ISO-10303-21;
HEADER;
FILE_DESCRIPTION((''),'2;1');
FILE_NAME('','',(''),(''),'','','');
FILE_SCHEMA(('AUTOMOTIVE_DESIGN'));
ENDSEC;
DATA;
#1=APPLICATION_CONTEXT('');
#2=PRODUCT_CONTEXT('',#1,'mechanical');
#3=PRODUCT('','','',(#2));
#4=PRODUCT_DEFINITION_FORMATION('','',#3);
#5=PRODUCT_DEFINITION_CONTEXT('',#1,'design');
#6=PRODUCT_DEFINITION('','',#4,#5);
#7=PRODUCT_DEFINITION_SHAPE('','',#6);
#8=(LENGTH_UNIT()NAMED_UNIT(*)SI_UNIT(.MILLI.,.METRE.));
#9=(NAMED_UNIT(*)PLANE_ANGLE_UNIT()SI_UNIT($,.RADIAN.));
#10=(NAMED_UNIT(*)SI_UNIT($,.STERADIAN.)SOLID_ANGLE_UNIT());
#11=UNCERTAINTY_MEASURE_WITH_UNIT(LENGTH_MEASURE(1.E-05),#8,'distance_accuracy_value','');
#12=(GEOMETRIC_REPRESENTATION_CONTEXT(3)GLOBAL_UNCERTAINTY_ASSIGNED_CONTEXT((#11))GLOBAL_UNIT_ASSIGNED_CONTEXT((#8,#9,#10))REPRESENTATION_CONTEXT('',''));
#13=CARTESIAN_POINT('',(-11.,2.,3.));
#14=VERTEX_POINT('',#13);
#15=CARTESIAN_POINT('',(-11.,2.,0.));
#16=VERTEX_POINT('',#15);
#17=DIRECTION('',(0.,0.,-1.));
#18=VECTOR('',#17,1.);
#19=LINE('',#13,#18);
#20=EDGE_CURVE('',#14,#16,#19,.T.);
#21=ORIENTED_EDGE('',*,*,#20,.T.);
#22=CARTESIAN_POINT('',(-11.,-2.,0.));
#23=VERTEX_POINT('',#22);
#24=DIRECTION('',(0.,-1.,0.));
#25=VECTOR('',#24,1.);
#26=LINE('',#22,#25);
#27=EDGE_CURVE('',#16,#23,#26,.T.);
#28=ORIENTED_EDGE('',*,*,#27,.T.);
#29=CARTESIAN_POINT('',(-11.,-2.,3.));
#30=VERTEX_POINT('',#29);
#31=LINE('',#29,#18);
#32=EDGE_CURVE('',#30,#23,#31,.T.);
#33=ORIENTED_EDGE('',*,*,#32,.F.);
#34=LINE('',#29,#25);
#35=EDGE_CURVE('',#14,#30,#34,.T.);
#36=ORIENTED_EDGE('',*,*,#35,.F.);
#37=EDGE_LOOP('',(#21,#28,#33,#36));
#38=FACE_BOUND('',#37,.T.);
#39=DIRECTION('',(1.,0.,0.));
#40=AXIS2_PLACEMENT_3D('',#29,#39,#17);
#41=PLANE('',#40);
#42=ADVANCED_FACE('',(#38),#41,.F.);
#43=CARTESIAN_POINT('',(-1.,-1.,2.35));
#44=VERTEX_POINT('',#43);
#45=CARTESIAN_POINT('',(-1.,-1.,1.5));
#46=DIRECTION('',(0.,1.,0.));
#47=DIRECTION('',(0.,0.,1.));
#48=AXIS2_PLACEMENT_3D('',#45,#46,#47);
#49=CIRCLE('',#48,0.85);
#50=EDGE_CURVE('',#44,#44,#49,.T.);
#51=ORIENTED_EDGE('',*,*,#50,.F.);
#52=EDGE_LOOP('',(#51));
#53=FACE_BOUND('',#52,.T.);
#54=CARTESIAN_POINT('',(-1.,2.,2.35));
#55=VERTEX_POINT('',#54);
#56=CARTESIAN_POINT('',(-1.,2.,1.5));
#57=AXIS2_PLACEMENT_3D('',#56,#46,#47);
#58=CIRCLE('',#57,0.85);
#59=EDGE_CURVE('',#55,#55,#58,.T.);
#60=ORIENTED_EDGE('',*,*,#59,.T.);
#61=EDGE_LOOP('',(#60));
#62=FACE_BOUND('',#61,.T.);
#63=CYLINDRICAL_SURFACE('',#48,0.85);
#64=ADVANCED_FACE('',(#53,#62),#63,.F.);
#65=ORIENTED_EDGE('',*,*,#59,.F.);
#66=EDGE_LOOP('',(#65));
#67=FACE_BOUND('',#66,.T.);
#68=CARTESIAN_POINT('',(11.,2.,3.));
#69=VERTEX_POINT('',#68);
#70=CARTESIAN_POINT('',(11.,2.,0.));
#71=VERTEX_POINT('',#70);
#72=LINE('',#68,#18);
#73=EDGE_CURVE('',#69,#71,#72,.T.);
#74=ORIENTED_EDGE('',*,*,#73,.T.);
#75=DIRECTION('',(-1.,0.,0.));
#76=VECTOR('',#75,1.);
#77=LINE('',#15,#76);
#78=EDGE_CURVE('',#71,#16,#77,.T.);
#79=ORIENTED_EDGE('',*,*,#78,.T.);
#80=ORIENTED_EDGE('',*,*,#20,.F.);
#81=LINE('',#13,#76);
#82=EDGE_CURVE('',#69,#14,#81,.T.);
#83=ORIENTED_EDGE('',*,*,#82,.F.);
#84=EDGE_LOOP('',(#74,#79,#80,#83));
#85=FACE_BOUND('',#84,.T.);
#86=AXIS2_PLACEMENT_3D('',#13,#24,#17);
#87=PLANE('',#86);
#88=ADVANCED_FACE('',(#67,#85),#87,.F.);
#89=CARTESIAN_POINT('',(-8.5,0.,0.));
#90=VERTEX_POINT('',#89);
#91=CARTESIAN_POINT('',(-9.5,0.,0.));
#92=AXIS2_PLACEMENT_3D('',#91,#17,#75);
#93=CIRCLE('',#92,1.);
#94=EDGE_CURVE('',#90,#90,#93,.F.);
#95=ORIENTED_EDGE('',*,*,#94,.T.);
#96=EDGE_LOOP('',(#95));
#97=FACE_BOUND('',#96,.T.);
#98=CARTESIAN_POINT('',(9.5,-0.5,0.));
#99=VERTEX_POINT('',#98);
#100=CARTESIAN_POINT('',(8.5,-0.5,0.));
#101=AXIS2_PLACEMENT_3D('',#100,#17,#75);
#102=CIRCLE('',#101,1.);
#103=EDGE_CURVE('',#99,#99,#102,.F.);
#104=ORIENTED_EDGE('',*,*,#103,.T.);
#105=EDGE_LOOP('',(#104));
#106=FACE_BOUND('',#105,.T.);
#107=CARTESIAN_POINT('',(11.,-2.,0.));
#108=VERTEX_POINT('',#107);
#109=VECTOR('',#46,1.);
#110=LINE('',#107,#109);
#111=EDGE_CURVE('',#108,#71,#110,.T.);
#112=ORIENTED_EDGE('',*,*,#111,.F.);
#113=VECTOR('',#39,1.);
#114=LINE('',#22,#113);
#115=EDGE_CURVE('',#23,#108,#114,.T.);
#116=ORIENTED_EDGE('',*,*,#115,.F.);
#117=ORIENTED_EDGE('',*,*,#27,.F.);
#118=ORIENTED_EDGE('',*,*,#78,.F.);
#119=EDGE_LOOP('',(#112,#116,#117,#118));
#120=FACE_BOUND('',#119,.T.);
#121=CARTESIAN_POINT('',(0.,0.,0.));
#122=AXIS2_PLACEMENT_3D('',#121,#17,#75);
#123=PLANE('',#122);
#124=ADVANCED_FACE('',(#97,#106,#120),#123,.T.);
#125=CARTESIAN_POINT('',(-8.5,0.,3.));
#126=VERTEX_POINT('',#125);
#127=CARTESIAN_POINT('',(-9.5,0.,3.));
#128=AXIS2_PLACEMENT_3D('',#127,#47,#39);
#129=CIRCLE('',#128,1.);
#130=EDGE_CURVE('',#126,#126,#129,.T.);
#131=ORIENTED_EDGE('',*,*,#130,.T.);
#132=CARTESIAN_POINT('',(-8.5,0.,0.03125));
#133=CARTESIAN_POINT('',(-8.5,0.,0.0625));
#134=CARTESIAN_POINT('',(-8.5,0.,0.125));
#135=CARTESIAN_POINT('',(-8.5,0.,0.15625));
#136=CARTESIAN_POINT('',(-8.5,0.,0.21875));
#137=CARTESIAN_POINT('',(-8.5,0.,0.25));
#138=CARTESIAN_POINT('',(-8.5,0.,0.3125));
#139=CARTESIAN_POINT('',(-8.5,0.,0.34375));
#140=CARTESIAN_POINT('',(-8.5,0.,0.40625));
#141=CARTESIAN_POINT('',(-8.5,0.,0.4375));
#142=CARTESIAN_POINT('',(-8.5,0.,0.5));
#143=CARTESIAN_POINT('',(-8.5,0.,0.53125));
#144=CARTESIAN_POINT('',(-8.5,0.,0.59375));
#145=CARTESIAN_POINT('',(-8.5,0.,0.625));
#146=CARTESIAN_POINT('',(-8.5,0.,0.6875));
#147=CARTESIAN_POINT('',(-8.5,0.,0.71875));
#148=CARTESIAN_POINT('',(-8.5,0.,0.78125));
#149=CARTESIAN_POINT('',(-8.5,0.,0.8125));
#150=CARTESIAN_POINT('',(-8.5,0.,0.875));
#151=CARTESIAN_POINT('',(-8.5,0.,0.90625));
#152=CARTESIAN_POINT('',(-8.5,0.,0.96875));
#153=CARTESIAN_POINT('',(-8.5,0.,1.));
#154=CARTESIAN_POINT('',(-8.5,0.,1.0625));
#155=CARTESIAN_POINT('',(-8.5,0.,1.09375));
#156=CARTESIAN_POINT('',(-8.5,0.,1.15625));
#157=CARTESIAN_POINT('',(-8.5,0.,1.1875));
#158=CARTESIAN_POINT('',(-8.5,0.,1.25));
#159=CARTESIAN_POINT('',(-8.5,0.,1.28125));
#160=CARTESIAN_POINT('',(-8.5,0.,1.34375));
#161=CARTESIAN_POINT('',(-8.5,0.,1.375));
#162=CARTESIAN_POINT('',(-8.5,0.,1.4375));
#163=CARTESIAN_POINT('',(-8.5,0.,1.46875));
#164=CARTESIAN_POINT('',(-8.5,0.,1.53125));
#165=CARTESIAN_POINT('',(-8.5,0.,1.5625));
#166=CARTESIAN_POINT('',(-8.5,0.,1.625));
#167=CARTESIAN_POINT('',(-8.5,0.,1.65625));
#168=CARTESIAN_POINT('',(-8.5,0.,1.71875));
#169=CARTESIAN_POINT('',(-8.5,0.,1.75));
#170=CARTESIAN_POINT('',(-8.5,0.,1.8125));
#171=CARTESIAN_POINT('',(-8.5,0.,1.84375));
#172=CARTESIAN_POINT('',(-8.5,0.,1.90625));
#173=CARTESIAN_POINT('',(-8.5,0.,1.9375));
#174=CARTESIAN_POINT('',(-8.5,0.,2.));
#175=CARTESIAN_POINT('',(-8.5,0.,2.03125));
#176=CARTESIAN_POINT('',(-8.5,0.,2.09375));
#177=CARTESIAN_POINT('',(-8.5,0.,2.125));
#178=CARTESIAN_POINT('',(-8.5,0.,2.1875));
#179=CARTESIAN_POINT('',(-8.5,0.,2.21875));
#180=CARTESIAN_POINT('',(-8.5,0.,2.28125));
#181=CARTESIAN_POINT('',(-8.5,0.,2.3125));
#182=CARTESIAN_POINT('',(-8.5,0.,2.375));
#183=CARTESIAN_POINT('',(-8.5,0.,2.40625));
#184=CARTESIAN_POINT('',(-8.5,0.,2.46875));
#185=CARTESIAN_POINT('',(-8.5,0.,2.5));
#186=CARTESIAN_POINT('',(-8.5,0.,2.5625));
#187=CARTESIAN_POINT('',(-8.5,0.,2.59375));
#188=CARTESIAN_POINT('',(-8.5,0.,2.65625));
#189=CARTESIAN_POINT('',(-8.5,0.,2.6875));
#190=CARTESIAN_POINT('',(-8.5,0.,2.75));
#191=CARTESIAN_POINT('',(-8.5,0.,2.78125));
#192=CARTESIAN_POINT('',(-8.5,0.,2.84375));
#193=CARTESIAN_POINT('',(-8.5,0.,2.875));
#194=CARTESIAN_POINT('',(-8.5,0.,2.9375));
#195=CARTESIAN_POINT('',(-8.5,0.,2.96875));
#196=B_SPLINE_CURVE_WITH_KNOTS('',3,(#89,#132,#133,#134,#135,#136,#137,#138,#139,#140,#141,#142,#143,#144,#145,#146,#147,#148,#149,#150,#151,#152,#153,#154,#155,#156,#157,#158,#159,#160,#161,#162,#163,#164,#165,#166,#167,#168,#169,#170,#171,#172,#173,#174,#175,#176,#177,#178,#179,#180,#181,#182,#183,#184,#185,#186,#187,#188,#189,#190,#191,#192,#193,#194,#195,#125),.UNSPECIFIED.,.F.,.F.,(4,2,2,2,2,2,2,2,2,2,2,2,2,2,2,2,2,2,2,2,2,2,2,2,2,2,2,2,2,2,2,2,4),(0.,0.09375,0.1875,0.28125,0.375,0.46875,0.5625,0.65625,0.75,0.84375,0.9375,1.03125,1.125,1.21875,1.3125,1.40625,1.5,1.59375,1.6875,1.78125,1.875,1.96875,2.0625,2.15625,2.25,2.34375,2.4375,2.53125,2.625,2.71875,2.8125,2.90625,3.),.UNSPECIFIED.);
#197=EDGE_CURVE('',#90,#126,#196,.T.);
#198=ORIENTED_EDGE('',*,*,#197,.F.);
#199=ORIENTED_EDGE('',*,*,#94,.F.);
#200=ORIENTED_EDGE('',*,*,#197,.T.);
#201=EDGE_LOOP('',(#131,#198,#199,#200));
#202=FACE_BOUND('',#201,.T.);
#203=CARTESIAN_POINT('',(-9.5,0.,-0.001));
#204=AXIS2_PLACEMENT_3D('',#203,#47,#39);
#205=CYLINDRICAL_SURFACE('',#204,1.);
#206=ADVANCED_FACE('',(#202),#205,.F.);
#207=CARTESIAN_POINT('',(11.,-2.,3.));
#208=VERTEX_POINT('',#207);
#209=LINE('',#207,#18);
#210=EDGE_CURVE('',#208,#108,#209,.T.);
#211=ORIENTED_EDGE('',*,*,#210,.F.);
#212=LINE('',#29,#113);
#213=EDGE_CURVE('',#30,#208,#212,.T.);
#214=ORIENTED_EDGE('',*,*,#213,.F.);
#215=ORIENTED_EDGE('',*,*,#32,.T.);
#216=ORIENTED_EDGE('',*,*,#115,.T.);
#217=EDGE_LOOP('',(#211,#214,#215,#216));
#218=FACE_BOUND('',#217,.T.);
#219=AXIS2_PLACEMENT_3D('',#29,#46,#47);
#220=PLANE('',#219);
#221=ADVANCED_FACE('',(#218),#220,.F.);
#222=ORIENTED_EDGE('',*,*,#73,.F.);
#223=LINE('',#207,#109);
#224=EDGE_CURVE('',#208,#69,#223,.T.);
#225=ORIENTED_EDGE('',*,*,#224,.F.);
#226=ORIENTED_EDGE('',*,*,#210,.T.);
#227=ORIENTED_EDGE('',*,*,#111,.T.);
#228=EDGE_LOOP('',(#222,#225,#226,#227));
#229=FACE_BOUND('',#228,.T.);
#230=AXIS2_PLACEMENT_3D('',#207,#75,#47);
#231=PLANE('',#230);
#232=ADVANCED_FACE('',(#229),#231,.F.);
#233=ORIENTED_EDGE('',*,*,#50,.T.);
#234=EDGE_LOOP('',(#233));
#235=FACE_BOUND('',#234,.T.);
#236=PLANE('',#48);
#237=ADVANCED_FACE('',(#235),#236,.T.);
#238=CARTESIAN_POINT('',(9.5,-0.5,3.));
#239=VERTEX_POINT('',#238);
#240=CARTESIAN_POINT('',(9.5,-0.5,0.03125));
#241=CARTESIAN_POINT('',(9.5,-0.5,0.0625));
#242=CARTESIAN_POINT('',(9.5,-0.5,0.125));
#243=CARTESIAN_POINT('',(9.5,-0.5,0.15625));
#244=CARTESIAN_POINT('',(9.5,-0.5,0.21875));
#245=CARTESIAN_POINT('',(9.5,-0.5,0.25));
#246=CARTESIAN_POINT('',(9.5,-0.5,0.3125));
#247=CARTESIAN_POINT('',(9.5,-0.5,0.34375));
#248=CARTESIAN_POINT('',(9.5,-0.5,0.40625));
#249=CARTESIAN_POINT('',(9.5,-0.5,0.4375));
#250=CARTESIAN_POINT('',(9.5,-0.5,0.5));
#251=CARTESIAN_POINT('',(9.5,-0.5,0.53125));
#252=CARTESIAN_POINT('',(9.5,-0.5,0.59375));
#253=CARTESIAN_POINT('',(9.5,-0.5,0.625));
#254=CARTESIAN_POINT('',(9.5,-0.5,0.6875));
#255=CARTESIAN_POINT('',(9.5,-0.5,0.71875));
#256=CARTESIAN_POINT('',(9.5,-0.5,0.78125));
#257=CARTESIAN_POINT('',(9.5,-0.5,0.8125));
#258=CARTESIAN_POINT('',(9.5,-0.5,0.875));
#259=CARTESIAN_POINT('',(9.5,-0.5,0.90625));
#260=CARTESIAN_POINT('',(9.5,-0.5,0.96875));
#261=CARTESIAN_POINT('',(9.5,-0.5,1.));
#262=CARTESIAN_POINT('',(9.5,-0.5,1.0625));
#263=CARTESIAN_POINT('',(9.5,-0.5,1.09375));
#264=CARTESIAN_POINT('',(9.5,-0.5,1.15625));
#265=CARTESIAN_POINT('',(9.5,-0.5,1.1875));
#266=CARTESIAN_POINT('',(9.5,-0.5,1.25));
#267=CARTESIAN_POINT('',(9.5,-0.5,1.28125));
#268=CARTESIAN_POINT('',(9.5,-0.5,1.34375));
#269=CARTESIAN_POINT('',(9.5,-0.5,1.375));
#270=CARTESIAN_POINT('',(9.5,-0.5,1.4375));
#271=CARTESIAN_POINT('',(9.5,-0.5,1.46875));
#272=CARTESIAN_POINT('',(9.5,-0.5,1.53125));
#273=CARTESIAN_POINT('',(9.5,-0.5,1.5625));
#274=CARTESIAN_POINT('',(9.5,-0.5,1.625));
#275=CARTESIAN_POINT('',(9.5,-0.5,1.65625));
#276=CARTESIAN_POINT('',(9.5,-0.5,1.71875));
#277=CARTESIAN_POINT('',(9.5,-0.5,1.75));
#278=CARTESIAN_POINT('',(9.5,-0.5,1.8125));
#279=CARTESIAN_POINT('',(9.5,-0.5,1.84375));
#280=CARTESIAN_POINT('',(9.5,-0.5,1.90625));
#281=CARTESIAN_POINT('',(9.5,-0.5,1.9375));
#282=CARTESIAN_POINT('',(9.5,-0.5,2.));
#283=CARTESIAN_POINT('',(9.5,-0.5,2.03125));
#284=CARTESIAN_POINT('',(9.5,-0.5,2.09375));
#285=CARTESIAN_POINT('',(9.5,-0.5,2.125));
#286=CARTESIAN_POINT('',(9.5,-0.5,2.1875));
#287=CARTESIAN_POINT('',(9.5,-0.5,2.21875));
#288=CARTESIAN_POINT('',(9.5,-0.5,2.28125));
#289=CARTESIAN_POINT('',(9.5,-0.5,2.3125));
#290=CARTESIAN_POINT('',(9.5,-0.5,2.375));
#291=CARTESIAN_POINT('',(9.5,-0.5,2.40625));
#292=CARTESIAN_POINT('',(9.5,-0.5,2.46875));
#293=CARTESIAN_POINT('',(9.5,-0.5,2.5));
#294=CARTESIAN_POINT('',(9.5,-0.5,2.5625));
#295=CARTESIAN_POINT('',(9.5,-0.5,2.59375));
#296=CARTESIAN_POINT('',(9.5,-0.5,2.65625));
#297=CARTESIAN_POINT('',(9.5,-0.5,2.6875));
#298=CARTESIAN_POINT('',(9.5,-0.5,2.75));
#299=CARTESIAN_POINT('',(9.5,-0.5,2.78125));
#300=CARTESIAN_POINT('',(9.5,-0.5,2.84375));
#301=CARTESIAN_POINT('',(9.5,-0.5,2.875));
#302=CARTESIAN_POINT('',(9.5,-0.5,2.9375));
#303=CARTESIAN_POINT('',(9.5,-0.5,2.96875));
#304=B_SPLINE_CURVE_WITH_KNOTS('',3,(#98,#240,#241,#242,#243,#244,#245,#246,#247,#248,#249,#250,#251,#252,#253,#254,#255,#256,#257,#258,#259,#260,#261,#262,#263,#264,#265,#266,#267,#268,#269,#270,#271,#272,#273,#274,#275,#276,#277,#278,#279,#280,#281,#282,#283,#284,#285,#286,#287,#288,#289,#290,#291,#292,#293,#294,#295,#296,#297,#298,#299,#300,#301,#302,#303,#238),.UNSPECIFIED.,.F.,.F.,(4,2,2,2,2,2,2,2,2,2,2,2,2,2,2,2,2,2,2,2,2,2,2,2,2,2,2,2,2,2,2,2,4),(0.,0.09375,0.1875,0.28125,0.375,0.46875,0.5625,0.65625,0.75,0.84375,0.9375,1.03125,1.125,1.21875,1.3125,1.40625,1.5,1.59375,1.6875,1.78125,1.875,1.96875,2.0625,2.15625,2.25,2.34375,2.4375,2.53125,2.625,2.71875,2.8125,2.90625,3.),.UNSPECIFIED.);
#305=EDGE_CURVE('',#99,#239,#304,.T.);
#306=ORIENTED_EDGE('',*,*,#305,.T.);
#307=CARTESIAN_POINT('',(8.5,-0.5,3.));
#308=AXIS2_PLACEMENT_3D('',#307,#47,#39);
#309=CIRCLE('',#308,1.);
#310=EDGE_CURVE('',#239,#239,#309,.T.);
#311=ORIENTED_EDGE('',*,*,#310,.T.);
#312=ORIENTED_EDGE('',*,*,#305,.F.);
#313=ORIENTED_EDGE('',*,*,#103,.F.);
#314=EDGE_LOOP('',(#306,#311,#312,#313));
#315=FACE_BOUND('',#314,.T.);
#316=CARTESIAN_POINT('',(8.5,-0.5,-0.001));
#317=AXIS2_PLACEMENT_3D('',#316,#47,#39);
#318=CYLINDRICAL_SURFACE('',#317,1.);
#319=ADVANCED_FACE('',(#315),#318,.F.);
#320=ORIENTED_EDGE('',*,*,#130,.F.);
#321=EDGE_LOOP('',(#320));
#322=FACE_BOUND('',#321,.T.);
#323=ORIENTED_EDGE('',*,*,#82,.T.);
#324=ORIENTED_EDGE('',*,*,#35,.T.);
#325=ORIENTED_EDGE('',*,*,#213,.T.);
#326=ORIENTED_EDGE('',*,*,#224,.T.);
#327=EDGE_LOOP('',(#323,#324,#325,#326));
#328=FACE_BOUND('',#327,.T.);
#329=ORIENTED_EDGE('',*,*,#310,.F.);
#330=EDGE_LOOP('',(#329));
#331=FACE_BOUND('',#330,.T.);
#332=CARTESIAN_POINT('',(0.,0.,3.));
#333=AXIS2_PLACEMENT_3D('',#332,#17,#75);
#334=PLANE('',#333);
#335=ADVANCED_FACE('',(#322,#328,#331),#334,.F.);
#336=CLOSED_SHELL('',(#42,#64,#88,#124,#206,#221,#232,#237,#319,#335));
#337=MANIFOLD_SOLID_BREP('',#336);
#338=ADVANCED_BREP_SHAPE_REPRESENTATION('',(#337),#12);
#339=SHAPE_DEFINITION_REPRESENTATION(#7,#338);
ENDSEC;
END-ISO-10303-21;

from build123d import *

# Parameters (mm, degrees)
CROQUIS1_W              = 22
CROQUIS1_H              = 4
SALIENTE_EXTRUIR1_DEPTH = 3
CROQUIS2_R              = 0.85
CORTAR_EXTRUIR1_DEPTH   = 3
CORTAR_EXTRUIR2_REACH   = 13.576
CROQUIS3_R              = 1


with BuildPart() as part:
    # Croquis1 → Saliente-Extruir1 (new body)
    with BuildSketch(Plane.XY):
        Rectangle(CROQUIS1_W, CROQUIS1_H)
    extrude(amount=SALIENTE_EXTRUIR1_DEPTH)

    # Croquis2 → Cortar-Extruir1 (cut)
    with BuildSketch(Plane(origin=(0, 2, 0), x_dir=(1, 0, 0), z_dir=(0, 1, 0))):
        with Locations(Location((-1, -1.5, 0), (0, 0, 270))):
            Circle(CROQUIS2_R)
    extrude(amount=-CORTAR_EXTRUIR1_DEPTH, mode=Mode.SUBTRACT)

    # Croquis3 → Cortar-Extruir2 (cut, up to next)
    with BuildSketch(Plane.XY.offset(3), mode=Mode.PRIVATE) as cortar_extruir2_sk1:
        with Locations((8.5, -0.5)):
            Circle(CROQUIS3_R)
    cortar_extruir2_tool1 = extrude(cortar_extruir2_sk1.sketch, amount=-CORTAR_EXTRUIR2_REACH, mode=Mode.PRIVATE) & part.part
    # Croquis3 → Cortar-Extruir2 (cut, up to next)
    with BuildSketch(Plane.XY.offset(3), mode=Mode.PRIVATE) as cortar_extruir2_sk2:
        with Locations((-9.5, 0)):
            Circle(CROQUIS3_R)
    cortar_extruir2_tool2 = extrude(cortar_extruir2_sk2.sketch, amount=-CORTAR_EXTRUIR2_REACH, mode=Mode.PRIVATE) & part.part
    add(cortar_extruir2_tool1.solids().sort_by_distance((8.5, -0.5, 3))[0], mode=Mode.SUBTRACT)
    add(cortar_extruir2_tool2.solids().sort_by_distance((-9.5, 0, 3))[0], mode=Mode.SUBTRACT)


solid = part.part
